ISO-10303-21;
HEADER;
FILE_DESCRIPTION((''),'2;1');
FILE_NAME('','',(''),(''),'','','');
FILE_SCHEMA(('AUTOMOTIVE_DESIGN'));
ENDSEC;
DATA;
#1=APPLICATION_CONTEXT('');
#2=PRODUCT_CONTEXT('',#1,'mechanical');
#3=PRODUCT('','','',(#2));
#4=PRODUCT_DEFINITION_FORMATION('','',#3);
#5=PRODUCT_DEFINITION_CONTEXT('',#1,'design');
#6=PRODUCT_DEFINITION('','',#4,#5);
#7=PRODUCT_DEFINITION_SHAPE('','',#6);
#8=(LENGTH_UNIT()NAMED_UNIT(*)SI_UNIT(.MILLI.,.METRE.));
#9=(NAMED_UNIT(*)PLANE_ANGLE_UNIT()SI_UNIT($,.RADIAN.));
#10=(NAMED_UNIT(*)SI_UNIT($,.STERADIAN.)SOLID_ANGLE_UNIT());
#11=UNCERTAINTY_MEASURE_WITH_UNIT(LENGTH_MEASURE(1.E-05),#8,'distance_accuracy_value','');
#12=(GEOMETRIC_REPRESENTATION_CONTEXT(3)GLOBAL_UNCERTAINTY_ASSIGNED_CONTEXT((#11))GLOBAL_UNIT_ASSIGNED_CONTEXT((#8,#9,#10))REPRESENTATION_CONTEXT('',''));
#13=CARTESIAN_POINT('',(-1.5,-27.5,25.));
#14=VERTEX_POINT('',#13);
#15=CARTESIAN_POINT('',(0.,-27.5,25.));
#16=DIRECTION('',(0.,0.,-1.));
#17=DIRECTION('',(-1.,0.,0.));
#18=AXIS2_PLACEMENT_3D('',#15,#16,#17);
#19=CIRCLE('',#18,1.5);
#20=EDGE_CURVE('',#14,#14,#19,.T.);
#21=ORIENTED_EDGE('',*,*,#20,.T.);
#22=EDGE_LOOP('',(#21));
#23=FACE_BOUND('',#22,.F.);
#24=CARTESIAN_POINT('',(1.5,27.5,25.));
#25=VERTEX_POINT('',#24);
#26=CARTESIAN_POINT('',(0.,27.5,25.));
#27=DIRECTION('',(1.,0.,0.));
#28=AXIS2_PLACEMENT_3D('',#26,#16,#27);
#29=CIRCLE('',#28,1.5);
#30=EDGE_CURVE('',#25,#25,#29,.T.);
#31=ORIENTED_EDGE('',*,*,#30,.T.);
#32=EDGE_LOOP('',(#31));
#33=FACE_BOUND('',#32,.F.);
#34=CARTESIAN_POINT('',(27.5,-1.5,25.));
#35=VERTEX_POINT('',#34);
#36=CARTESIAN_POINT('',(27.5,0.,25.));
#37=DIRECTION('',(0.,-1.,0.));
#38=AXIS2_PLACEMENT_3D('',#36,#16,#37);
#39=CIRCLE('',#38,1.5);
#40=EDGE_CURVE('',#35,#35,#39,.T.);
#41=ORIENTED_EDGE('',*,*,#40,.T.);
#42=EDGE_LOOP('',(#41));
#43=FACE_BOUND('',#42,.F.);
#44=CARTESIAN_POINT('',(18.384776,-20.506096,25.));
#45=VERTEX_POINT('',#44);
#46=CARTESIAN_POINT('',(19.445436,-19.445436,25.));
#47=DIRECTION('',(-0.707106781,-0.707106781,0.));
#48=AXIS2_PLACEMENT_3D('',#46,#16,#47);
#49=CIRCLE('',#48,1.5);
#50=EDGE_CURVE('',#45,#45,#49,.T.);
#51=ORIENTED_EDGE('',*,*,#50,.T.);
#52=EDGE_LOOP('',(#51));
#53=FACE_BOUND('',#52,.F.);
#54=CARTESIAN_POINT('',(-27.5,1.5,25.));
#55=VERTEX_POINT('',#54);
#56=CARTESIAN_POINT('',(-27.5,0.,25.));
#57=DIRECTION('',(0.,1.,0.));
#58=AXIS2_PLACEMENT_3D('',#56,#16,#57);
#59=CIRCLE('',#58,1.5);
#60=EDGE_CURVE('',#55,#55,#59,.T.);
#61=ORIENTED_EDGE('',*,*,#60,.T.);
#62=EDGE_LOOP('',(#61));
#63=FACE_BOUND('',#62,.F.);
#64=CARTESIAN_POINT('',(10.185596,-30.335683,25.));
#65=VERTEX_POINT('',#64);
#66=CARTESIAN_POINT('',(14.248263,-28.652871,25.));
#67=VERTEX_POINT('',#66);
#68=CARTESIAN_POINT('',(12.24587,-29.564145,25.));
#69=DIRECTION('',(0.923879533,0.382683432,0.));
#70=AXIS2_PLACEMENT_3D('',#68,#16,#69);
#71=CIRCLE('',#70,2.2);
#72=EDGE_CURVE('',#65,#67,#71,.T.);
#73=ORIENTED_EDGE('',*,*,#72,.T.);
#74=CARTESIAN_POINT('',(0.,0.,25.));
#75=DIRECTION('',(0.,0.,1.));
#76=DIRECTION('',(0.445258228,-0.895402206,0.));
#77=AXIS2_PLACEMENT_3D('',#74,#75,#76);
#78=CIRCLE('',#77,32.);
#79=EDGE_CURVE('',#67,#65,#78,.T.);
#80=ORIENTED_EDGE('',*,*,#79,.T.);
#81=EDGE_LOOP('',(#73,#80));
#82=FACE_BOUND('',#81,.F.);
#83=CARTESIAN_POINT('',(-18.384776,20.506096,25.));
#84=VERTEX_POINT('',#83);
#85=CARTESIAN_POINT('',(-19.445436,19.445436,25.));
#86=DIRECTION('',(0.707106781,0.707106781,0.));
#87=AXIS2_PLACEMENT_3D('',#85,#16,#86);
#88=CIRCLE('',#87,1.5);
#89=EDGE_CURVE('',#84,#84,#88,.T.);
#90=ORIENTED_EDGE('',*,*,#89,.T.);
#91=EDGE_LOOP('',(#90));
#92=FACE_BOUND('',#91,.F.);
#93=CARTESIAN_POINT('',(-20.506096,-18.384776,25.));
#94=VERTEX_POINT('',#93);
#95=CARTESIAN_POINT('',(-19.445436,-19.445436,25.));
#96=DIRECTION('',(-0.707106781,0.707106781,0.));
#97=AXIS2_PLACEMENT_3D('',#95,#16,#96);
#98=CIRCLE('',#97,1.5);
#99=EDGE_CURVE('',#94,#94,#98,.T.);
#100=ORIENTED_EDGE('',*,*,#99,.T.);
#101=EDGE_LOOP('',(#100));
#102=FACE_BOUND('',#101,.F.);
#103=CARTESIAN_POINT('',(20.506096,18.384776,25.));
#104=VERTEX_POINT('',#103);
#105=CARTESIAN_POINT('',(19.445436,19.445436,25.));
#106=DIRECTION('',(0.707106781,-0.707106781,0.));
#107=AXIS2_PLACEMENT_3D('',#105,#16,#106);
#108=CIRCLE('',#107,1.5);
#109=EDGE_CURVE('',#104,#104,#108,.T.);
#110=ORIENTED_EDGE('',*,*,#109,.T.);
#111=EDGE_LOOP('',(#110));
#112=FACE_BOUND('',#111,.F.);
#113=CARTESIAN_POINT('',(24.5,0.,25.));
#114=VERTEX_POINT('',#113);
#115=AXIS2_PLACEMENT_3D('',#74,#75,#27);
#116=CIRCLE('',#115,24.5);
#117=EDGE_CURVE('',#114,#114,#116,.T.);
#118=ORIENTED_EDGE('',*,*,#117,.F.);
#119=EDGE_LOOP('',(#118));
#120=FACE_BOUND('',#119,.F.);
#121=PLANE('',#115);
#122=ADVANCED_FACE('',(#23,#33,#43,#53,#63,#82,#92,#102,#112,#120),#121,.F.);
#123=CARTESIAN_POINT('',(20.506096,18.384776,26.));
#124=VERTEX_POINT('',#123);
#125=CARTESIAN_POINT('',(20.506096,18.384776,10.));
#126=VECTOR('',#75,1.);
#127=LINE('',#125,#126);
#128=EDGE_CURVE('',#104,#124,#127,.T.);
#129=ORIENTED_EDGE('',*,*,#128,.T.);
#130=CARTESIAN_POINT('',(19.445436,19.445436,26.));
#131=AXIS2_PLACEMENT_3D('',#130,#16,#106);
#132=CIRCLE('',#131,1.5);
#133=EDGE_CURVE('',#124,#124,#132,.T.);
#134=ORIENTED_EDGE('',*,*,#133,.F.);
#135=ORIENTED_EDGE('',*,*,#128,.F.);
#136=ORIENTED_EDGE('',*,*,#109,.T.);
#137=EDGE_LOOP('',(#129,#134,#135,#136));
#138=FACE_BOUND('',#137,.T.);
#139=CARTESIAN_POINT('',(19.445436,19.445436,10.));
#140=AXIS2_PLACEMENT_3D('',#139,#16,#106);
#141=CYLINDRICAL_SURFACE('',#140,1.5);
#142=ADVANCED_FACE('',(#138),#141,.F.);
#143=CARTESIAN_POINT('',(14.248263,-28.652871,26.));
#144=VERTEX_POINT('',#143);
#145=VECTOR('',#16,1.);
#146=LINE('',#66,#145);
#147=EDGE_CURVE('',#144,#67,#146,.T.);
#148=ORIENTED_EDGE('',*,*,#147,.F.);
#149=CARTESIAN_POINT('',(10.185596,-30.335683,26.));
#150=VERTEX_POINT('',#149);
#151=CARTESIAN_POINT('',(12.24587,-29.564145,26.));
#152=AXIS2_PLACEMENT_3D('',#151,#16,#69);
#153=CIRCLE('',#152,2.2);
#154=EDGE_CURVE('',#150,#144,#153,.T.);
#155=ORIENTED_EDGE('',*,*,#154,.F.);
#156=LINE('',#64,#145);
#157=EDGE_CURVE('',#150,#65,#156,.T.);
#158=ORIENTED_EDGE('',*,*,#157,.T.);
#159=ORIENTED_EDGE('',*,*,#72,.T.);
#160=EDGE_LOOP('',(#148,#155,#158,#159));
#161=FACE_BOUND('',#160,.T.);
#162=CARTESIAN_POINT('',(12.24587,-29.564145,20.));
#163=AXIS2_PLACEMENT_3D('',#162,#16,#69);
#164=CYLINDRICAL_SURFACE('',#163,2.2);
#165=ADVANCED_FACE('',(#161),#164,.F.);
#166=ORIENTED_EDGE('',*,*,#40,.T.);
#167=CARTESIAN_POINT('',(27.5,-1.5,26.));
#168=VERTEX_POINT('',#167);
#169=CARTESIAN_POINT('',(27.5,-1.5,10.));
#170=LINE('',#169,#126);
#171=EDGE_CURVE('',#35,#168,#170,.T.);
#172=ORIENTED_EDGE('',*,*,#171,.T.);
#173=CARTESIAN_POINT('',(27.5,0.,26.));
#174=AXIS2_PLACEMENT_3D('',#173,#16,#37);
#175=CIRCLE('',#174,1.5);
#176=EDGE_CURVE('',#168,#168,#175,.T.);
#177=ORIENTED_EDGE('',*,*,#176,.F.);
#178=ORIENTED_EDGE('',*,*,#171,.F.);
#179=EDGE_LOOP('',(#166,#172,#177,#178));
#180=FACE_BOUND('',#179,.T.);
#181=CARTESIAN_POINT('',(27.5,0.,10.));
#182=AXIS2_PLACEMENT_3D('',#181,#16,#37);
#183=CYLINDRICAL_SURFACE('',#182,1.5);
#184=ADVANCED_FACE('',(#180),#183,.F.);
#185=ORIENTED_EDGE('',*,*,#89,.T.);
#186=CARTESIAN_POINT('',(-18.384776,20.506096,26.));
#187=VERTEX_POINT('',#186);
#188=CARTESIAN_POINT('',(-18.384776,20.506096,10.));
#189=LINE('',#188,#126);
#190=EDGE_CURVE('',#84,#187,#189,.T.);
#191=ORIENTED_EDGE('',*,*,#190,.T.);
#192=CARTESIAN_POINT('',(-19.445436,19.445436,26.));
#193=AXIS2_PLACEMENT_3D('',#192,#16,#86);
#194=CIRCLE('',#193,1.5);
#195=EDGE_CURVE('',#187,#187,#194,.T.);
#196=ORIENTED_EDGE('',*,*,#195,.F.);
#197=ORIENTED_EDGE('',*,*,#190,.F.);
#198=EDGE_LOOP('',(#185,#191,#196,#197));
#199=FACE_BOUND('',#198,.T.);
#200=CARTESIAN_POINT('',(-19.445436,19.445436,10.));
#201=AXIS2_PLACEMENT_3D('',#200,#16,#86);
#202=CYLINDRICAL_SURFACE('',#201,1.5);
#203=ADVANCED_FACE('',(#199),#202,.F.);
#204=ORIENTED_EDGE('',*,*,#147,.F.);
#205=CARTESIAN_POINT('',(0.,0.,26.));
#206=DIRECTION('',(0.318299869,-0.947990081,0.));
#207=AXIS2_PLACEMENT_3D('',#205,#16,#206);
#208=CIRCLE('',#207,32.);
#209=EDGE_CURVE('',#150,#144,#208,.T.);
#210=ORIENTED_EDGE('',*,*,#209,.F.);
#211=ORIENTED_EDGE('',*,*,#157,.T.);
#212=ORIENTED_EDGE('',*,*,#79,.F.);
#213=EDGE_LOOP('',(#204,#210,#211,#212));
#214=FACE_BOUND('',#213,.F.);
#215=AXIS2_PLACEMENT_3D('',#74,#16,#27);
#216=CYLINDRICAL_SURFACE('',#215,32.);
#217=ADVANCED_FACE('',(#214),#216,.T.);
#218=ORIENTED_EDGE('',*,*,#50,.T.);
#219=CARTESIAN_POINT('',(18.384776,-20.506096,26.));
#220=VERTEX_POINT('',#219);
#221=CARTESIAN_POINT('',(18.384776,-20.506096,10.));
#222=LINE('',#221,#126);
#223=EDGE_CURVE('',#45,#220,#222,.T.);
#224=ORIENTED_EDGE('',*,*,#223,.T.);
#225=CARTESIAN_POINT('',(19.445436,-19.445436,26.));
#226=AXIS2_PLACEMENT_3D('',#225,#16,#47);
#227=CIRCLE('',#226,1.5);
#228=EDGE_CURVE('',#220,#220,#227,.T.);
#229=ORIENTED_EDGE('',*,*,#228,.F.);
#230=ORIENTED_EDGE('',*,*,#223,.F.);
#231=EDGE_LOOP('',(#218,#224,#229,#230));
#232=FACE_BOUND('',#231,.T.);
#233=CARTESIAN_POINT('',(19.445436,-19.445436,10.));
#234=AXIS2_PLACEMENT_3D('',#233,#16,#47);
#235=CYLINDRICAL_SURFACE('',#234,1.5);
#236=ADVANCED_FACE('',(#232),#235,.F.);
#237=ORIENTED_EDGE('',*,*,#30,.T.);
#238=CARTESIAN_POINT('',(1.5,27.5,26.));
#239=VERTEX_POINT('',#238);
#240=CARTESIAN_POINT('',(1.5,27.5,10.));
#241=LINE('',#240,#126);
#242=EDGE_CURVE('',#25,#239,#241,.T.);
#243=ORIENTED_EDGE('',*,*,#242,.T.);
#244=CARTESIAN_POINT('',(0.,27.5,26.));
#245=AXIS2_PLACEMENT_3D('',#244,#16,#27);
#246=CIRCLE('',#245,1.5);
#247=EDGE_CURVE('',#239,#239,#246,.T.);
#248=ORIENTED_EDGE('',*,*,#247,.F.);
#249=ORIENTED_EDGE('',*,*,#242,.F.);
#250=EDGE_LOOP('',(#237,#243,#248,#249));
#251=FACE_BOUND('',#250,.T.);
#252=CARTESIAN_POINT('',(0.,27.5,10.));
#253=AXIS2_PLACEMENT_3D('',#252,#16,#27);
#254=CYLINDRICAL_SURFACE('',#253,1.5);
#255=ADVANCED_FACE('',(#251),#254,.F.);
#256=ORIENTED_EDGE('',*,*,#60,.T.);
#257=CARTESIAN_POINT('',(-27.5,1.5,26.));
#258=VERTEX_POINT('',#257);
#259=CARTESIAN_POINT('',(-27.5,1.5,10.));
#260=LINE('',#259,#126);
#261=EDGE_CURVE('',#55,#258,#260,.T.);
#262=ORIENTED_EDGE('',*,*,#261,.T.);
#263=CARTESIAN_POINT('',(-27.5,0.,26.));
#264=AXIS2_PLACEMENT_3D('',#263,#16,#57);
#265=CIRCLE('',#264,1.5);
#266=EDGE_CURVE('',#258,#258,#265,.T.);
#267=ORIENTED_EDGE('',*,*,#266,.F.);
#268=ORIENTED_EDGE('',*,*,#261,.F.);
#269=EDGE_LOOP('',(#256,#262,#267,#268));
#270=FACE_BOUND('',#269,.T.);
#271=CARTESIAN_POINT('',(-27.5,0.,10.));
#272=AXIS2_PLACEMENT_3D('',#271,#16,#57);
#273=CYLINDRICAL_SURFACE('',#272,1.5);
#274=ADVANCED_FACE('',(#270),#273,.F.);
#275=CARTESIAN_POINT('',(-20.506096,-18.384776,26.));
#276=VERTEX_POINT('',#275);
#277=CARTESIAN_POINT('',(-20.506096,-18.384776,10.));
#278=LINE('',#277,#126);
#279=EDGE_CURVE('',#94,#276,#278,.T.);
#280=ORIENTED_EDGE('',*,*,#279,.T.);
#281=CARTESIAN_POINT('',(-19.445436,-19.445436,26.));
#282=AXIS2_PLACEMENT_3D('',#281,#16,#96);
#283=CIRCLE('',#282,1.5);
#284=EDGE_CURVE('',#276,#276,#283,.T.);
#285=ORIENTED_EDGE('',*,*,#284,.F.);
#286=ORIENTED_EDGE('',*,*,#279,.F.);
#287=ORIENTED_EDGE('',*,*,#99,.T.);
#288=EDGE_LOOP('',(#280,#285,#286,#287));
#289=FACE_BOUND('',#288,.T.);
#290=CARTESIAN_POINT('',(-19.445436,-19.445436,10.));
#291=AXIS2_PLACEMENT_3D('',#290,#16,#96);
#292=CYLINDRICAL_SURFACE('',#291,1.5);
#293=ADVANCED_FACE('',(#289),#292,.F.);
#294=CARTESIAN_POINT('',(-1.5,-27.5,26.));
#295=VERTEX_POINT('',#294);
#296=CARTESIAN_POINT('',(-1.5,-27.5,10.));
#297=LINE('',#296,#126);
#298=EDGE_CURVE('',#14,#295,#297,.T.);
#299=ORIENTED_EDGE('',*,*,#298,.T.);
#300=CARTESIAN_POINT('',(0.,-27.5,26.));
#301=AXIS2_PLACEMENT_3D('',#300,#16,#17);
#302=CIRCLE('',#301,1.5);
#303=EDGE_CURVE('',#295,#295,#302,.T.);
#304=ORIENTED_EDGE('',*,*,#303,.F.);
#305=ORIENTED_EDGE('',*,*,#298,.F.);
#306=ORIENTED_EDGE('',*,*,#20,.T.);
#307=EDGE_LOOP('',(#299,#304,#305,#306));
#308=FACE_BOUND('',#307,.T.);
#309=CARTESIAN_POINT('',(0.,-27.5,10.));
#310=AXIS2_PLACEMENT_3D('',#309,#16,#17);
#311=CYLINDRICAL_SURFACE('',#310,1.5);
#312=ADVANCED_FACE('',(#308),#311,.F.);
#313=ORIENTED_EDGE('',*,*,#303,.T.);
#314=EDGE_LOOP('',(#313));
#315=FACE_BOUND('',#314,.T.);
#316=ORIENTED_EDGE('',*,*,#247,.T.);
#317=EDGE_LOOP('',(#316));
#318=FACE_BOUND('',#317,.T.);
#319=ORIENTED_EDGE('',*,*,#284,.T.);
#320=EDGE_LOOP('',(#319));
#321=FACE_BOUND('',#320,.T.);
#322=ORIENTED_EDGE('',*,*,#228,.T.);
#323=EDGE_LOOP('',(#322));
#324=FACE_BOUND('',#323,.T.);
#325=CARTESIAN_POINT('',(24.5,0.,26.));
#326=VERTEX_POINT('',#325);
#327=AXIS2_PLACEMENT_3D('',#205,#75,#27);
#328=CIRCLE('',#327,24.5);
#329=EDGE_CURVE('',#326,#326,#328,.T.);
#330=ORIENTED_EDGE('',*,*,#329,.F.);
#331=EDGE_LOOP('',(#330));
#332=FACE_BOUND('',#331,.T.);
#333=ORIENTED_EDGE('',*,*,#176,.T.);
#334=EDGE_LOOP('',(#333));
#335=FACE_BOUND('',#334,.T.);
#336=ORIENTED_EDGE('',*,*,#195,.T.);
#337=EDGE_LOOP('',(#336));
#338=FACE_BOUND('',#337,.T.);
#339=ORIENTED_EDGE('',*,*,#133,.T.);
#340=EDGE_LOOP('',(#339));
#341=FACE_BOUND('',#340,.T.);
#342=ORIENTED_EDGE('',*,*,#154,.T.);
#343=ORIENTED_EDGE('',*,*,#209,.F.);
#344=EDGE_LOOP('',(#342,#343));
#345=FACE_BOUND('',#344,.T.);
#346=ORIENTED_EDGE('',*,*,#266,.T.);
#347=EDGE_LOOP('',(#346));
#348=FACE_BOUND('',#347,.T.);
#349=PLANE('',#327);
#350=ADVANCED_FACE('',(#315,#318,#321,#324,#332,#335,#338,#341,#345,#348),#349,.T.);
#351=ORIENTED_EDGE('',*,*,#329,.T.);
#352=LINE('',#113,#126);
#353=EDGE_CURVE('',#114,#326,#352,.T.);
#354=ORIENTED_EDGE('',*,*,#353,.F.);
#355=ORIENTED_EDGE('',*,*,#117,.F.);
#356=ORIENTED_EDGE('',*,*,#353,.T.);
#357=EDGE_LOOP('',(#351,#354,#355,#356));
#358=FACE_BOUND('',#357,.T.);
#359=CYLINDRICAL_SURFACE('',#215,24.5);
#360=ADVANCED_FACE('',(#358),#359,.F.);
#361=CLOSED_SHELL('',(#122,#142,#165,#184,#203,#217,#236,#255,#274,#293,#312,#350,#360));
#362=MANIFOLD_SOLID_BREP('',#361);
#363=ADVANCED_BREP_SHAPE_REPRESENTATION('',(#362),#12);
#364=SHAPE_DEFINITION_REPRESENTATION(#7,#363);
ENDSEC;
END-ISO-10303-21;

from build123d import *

# Parameters (mm, degrees)
CYLINDER1301_R               = 1.5
CYLINDER1301_DEPTH           = 20
CYLINDER1301_PLACEMENT_ANGLE = 45
CYLINDER1300_R               = 1.5
CYLINDER1300_DEPTH           = 20
CYLINDER1296_R               = 1.5
CYLINDER1296_DEPTH           = 20
CYLINDER1296_PLACEMENT_ANGLE = 135
CYLINDER1298_R               = 1.5
CYLINDER1298_DEPTH           = 20
CYLINDER1302_R               = 1.5
CYLINDER1302_DEPTH           = 20
CYLINDER1299_R               = 1.5
CYLINDER1299_DEPTH           = 20
CYLINDER1299_PLACEMENT_ANGLE = 225
CYLINDER1297_R               = 1.5
CYLINDER1297_DEPTH           = 20
CYLINDER1297_PLACEMENT_ANGLE = 45
CYLINDER1295_R               = 1.5
CYLINDER1295_DEPTH           = 20
CYLINDER1306_R               = 2.2
CYLINDER1306_DEPTH           = 15
CYLINDER1306_PLACEMENT_ANGLE = 22.5
TUBE054_R                    = 32
TUBE054_R_2                  = 24.5
TUBE054_DEPTH                = 1


with BuildPart() as v_lec1301:
    # Cylinder1301 → Cylinder1301 (new body)
    with BuildSketch(Plane.XY):
        Circle(CYLINDER1301_R)
    extrude(amount=CYLINDER1301_DEPTH)


with BuildPart() as v_lec1301_1:
    # Cylinder1301 placement: moved
    add(v_lec1301.part.moved(Location((-19.445436, 19.445436, 10))).rotate(Axis((-19.445436, 19.445436, 10), (0, 0, 1)), CYLINDER1301_PLACEMENT_ANGLE))


with BuildPart() as v_lec1300:
    # Cylinder1300 → Cylinder1300 (new body)
    with BuildSketch(Plane(origin=(-27.5, 0, 10), x_dir=(0, 1, 0), z_dir=(0, 0, 1))):
        Circle(CYLINDER1300_R)
    extrude(amount=CYLINDER1300_DEPTH)


with BuildPart() as v_lec1296:
    # Cylinder1296 → Cylinder1296 (new body)
    with BuildSketch(Plane.XY):
        Circle(CYLINDER1296_R)
    extrude(amount=CYLINDER1296_DEPTH)


with BuildPart() as v_lec1296_1:
    # Cylinder1296 placement: moved
    add(v_lec1296.part.moved(Location((-19.445436, -19.445436, 10))).rotate(Axis((-19.445436, -19.445436, 10), (0, 0, 1)), CYLINDER1296_PLACEMENT_ANGLE))


with BuildPart() as v_lec1298:
    # Cylinder1298 → Cylinder1298 (new body)
    with BuildSketch(Plane(origin=(0, -27.5, 10), x_dir=(-1, 0, 0), z_dir=(0, 0, 1))):
        Circle(CYLINDER1298_R)
    extrude(amount=CYLINDER1298_DEPTH)


with BuildPart() as v_lec1302:
    # Cylinder1302 → Cylinder1302 (new body)
    with BuildSketch(Plane(origin=(27.5, 0, 10), x_dir=(0, -1, 0), z_dir=(0, 0, 1))):
        Circle(CYLINDER1302_R)
    extrude(amount=CYLINDER1302_DEPTH)


with BuildPart() as v_lec1299:
    # Cylinder1299 → Cylinder1299 (new body)
    with BuildSketch(Plane.XY):
        Circle(CYLINDER1299_R)
    extrude(amount=CYLINDER1299_DEPTH)


with BuildPart() as v_lec1299_1:
    # Cylinder1299 placement: moved
    add(v_lec1299.part.moved(Location((19.445436, -19.445436, 10))).rotate(Axis((19.445436, -19.445436, 10), (0, 0, 1)), CYLINDER1299_PLACEMENT_ANGLE))


with BuildPart() as v_lec1297:
    # Cylinder1297 → Cylinder1297 (new body)
    with BuildSketch(Plane.XY):
        Circle(CYLINDER1297_R)
    extrude(amount=CYLINDER1297_DEPTH)


with BuildPart() as v_lec1297_1:
    # Cylinder1297 placement: moved
    add(v_lec1297.part.moved(Location((19.445436, 19.445436, 10))).rotate(Axis((19.445436, 19.445436, 10), (0, 0, -1)), CYLINDER1297_PLACEMENT_ANGLE))


with BuildPart() as compound:
    # Cylinder1295 → Cylinder1295 (new body)
    with BuildSketch(Plane(origin=(0, 27.5, 10), x_dir=(1, 0, 0), z_dir=(0, 0, 1))):
        Circle(CYLINDER1295_R)
    extrude(amount=CYLINDER1295_DEPTH)

    # Compound: union Válec1301, Válec1300, Válec1296, Válec1298, Válec1302, Válec1299, Válec1297
    add(v_lec1301_1.part)
    add(v_lec1300.part)
    add(v_lec1296_1.part)
    add(v_lec1298.part)
    add(v_lec1302.part)
    add(v_lec1299_1.part)
    add(v_lec1297_1.part)


with BuildPart() as v_lec1306:
    # Cylinder1306 → Cylinder1306 (new body)
    with BuildSketch(Plane.XY):
        Circle(CYLINDER1306_R)
    extrude(amount=CYLINDER1306_DEPTH)


with BuildPart() as v_lec1306_1:
    # Cylinder1306 placement: moved
    add(v_lec1306.part.moved(Location((12.24587, -29.564145, 20))).rotate(Axis((12.24587, -29.564145, 20), (0, 0, 1)), CYLINDER1306_PLACEMENT_ANGLE))


with BuildPart() as cut492:
    # Tube054 → Tube054 (new body)
    with BuildSketch(Plane.XY.offset(25)):
        Circle(TUBE054_R)
        Circle(TUBE054_R_2, mode=Mode.SUBTRACT)
    extrude(amount=TUBE054_DEPTH)

    # Cut497: cut Válec1306
    add(v_lec1306_1.part, mode=Mode.SUBTRACT)

    # Cut492: cut Compound
    add(compound.part, mode=Mode.SUBTRACT)


solid = cut492.part
